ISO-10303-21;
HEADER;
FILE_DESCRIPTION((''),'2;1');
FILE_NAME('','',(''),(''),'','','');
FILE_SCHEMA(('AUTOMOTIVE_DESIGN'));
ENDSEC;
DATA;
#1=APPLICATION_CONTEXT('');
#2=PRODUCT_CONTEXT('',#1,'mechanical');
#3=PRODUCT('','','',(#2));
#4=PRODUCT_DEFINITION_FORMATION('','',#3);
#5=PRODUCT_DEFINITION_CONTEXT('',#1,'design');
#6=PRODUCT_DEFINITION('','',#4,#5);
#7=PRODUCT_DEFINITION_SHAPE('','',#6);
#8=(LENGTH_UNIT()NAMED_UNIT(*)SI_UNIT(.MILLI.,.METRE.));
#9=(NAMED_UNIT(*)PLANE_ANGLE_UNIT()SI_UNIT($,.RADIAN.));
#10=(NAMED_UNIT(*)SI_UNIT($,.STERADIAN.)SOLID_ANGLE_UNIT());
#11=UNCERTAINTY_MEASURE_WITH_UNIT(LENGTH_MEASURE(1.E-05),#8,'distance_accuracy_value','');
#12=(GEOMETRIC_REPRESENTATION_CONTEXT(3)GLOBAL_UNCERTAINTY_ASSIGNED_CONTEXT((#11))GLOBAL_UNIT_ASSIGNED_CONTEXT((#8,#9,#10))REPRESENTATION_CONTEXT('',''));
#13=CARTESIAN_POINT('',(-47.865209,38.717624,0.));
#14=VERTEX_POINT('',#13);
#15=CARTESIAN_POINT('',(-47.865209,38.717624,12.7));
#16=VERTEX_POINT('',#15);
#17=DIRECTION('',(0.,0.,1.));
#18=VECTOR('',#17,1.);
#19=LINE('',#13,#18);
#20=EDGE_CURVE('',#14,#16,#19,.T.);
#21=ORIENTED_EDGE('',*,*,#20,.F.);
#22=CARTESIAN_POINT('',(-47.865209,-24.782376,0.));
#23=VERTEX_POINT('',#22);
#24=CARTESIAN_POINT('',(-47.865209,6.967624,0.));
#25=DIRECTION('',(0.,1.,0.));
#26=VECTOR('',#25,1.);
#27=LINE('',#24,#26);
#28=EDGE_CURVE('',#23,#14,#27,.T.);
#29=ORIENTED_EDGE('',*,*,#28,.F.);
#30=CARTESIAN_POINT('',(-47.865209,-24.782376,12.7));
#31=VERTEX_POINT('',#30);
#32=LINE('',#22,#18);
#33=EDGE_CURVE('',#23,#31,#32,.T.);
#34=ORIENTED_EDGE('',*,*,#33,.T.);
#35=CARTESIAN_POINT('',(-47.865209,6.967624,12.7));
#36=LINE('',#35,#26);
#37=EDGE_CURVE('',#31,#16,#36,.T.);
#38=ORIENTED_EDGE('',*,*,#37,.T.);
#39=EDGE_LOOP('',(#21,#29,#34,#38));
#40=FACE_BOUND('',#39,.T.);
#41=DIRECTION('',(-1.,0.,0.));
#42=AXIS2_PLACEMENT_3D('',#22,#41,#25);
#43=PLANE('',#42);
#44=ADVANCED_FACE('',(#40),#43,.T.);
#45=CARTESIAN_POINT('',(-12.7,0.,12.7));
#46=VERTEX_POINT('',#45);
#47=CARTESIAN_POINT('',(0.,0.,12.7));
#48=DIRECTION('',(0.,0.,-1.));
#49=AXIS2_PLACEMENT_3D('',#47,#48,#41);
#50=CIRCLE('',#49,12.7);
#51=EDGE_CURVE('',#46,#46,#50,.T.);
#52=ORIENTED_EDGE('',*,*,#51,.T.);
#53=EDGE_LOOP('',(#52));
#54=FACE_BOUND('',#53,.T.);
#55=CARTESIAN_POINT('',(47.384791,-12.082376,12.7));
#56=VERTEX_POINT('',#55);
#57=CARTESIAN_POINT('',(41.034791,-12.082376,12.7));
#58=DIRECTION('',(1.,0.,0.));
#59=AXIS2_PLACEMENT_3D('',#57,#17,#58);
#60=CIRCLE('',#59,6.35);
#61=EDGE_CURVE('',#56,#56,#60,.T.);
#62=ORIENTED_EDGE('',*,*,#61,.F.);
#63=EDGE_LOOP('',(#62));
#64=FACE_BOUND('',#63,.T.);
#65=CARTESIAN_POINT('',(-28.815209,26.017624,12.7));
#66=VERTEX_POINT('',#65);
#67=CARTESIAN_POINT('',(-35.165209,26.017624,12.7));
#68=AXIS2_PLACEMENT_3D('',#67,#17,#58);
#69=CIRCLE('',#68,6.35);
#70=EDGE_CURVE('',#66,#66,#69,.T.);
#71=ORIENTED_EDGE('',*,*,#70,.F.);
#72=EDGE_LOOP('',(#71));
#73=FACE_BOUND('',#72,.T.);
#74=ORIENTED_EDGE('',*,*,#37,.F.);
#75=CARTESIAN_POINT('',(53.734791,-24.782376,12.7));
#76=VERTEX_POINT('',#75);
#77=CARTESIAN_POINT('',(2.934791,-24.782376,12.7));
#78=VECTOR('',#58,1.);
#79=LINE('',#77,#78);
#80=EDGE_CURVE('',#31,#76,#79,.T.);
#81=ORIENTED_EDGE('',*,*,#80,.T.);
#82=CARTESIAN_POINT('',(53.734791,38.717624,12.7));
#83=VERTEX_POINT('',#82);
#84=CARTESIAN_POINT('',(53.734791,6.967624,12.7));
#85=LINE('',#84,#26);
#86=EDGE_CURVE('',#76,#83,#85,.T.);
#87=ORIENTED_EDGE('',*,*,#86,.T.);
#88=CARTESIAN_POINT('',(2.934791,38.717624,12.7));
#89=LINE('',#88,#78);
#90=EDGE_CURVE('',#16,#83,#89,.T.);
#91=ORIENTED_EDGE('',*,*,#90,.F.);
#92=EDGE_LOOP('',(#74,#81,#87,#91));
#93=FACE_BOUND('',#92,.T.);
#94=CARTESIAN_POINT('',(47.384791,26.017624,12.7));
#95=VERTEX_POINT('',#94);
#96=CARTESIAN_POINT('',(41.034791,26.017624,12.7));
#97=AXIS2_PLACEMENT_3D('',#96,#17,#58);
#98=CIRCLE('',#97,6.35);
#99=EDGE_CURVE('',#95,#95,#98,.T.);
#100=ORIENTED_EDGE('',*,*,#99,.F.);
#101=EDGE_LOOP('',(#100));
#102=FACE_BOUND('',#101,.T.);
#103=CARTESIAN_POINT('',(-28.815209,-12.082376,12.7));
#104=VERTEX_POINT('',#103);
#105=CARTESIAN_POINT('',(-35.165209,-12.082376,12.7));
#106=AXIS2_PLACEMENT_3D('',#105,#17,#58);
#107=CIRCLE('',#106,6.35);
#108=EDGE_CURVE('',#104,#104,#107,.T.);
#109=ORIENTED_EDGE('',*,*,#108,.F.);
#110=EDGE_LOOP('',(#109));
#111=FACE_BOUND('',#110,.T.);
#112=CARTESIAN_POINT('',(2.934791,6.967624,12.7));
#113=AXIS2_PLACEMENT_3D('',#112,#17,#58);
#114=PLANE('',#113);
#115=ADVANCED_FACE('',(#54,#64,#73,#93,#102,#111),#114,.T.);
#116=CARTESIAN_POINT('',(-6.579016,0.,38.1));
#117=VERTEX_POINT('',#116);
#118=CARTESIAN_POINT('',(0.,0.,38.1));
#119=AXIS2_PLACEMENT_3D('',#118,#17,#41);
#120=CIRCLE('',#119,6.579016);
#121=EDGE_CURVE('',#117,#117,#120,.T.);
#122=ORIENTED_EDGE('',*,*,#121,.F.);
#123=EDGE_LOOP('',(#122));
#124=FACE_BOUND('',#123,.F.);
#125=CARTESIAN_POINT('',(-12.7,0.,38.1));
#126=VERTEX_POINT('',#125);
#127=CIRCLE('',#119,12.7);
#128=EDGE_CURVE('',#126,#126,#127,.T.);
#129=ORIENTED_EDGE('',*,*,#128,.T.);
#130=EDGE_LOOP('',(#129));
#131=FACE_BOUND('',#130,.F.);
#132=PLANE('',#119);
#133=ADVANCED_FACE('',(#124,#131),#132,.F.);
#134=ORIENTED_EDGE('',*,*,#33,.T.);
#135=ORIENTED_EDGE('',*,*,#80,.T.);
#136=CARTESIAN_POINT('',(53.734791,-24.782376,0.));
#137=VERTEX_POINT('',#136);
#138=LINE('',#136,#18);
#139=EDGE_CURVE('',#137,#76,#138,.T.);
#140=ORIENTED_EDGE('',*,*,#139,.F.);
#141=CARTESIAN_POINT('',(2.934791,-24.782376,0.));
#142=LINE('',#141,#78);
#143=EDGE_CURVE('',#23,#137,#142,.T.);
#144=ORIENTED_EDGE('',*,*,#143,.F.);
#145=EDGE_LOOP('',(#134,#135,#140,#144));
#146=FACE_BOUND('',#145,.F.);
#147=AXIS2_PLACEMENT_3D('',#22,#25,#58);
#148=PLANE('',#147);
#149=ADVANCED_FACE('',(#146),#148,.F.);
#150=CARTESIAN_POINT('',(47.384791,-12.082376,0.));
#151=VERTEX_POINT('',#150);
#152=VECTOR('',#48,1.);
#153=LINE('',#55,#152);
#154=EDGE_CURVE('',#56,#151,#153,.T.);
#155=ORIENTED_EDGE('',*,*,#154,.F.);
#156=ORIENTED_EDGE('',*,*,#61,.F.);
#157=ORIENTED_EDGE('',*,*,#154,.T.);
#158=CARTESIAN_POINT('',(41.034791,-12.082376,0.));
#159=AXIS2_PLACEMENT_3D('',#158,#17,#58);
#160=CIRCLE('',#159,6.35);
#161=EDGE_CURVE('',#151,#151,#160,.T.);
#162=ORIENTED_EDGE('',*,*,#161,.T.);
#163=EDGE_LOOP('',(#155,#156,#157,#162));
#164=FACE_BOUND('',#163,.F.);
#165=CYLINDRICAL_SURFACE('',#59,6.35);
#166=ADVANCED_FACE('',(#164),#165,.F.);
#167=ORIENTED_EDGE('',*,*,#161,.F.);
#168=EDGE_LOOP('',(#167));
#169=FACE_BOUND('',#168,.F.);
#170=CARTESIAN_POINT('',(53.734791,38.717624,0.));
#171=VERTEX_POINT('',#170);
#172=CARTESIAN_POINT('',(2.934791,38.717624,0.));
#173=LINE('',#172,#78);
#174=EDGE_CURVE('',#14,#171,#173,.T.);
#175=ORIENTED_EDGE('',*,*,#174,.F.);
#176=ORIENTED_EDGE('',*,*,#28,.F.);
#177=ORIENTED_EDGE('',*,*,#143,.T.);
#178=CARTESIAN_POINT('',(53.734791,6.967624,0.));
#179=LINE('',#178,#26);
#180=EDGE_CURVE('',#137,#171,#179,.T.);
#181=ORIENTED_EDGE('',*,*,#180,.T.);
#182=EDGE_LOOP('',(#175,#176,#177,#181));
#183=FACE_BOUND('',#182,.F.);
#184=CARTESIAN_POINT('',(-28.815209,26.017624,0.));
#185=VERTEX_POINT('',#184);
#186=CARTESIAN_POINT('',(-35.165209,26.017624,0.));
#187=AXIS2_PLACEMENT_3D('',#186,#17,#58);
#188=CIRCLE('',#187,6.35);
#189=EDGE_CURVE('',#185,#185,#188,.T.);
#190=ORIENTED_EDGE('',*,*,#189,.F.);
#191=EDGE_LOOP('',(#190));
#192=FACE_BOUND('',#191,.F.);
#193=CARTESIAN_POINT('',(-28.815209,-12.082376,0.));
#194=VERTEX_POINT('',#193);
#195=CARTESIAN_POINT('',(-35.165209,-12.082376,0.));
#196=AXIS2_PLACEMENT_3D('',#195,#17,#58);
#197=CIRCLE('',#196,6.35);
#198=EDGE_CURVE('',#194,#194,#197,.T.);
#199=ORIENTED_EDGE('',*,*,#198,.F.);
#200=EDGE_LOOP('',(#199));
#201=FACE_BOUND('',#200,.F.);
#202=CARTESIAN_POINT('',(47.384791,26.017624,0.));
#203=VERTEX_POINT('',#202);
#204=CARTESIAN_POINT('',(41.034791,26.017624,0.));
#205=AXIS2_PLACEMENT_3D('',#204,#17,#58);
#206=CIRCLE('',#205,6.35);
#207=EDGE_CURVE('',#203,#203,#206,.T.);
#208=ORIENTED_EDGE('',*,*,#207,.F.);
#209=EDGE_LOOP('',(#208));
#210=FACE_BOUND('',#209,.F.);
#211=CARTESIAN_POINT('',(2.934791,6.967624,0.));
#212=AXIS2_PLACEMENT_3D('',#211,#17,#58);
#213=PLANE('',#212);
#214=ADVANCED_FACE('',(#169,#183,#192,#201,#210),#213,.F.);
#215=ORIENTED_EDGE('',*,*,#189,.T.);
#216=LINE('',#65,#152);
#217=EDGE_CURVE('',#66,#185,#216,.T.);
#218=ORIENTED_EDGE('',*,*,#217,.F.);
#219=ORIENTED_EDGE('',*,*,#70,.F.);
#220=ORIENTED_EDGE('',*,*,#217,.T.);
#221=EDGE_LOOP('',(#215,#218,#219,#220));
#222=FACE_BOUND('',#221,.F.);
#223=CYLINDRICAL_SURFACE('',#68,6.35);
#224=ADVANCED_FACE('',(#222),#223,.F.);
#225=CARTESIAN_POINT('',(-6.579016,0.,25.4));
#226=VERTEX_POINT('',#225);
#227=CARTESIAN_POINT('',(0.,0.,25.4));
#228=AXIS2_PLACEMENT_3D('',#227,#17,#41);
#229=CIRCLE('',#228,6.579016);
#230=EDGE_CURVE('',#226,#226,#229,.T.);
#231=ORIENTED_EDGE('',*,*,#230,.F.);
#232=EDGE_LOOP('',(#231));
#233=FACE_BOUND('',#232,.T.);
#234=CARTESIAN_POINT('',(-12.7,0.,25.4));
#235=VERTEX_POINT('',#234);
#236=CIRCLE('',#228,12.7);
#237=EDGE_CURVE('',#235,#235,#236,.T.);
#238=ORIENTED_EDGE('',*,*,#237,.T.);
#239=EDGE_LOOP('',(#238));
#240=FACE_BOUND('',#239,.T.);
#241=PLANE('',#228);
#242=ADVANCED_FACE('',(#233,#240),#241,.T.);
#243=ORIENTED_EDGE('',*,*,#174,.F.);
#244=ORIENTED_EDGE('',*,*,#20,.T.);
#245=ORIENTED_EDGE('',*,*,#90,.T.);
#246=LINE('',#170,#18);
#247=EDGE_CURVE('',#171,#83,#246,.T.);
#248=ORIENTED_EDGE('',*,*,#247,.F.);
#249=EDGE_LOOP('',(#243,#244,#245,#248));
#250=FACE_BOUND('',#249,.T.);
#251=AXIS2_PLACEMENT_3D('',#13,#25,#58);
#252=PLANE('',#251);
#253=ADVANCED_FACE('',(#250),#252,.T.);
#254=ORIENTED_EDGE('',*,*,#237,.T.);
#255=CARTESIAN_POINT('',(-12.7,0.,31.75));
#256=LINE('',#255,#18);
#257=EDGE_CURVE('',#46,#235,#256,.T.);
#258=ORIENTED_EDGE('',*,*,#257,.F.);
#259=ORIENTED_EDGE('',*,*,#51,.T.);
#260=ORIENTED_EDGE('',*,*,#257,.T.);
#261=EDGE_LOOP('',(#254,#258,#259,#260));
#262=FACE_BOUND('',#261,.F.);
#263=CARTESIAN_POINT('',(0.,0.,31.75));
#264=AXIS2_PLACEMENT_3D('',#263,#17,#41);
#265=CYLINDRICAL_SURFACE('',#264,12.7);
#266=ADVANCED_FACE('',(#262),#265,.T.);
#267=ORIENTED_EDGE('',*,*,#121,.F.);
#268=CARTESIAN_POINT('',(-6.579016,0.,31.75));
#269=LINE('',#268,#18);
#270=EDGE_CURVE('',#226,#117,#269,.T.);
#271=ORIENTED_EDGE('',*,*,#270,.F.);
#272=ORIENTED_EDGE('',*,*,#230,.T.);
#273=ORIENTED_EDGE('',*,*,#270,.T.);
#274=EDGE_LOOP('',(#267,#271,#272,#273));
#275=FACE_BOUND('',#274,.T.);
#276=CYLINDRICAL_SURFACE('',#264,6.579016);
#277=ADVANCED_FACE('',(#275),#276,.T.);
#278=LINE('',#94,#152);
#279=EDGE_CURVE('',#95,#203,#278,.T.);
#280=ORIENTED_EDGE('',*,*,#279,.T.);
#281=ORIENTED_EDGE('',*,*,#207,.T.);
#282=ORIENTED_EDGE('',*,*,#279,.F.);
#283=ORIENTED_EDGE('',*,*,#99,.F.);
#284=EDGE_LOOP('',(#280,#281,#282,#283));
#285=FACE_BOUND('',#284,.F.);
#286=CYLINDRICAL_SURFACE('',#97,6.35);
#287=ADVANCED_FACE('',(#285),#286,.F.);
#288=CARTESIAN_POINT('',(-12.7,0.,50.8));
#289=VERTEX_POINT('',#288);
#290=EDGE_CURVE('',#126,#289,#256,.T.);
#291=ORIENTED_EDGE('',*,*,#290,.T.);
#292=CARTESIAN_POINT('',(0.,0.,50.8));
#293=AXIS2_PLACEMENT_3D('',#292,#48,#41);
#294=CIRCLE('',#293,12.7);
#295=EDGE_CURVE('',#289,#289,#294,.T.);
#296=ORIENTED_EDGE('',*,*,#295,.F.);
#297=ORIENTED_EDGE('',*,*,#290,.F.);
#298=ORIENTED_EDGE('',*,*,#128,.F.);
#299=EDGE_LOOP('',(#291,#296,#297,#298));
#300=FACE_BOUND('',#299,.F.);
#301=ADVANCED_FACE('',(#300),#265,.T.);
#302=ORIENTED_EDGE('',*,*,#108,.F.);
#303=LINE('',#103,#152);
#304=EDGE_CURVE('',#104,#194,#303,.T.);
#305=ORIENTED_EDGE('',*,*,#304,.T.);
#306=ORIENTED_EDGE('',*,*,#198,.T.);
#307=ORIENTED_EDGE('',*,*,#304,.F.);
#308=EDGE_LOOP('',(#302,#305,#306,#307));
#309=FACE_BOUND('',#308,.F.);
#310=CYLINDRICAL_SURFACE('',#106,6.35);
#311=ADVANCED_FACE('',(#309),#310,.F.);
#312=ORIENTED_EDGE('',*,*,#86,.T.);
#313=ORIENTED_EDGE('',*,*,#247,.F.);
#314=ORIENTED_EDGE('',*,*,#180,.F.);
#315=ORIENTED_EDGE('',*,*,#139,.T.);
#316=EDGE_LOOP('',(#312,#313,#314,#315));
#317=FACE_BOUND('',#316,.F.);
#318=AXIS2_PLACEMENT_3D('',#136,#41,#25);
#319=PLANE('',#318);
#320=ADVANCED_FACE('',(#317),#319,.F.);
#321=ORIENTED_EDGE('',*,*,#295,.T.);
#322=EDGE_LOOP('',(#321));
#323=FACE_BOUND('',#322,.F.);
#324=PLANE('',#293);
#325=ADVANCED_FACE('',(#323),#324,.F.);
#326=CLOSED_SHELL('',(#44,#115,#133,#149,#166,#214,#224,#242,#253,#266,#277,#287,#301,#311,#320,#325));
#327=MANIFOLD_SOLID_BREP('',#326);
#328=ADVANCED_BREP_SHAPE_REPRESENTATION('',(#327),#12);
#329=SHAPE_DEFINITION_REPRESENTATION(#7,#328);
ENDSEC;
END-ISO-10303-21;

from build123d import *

# Parameters (mm, degrees)
F0_W     = 101.6
F0_H     = 63.5
F1_DEPTH = 12.7
F2_R     = 6.35
F3_DEPTH = 12.701
F4_W     = 12.7
F4_H     = 38.1
F6_W     = 25.375047
F6_H     = 12.7


with BuildPart() as f1:
    # F0 (on Top) → F1 (new body)
    with BuildSketch(Plane.XY):
        with Locations((2.934791, 6.967624)):
            Rectangle(F0_W, F0_H)
    extrude(amount=F1_DEPTH)

    # F2 (on face) → F3 (cut, through all)
    with BuildSketch(Plane.XY.offset(12.7)):
        with Locations((-35.165209, 26.017624)):
            Circle(F2_R)
        with Locations((-35.165209, -12.082376)):
            Circle(F2_R)
        with Locations((41.034791, -12.082376)):
            Circle(F2_R)
        with Locations((41.034791, 26.017624)):
            Circle(F2_R)
    extrude(amount=-F3_DEPTH, mode=Mode.SUBTRACT)

    # F4 (on Front) → F5 (revolve)
    with BuildSketch(Plane.XZ):
        with Locations((-6.35, 31.75)):
            Rectangle(F4_W, F4_H)
    revolve(axis=Axis((0, 0, 31.75), (0, 0, -1)))

    # F6 (on Front) → F7 (revolve, cut)
    with BuildSketch(Plane.XZ):
        with Locations((-19.26654, 31.75)):
            Rectangle(F6_W, F6_H)
    revolve(axis=Axis((0, 0, 26.451318), (0, 0, 1)), mode=Mode.SUBTRACT)


solid = f1.part
